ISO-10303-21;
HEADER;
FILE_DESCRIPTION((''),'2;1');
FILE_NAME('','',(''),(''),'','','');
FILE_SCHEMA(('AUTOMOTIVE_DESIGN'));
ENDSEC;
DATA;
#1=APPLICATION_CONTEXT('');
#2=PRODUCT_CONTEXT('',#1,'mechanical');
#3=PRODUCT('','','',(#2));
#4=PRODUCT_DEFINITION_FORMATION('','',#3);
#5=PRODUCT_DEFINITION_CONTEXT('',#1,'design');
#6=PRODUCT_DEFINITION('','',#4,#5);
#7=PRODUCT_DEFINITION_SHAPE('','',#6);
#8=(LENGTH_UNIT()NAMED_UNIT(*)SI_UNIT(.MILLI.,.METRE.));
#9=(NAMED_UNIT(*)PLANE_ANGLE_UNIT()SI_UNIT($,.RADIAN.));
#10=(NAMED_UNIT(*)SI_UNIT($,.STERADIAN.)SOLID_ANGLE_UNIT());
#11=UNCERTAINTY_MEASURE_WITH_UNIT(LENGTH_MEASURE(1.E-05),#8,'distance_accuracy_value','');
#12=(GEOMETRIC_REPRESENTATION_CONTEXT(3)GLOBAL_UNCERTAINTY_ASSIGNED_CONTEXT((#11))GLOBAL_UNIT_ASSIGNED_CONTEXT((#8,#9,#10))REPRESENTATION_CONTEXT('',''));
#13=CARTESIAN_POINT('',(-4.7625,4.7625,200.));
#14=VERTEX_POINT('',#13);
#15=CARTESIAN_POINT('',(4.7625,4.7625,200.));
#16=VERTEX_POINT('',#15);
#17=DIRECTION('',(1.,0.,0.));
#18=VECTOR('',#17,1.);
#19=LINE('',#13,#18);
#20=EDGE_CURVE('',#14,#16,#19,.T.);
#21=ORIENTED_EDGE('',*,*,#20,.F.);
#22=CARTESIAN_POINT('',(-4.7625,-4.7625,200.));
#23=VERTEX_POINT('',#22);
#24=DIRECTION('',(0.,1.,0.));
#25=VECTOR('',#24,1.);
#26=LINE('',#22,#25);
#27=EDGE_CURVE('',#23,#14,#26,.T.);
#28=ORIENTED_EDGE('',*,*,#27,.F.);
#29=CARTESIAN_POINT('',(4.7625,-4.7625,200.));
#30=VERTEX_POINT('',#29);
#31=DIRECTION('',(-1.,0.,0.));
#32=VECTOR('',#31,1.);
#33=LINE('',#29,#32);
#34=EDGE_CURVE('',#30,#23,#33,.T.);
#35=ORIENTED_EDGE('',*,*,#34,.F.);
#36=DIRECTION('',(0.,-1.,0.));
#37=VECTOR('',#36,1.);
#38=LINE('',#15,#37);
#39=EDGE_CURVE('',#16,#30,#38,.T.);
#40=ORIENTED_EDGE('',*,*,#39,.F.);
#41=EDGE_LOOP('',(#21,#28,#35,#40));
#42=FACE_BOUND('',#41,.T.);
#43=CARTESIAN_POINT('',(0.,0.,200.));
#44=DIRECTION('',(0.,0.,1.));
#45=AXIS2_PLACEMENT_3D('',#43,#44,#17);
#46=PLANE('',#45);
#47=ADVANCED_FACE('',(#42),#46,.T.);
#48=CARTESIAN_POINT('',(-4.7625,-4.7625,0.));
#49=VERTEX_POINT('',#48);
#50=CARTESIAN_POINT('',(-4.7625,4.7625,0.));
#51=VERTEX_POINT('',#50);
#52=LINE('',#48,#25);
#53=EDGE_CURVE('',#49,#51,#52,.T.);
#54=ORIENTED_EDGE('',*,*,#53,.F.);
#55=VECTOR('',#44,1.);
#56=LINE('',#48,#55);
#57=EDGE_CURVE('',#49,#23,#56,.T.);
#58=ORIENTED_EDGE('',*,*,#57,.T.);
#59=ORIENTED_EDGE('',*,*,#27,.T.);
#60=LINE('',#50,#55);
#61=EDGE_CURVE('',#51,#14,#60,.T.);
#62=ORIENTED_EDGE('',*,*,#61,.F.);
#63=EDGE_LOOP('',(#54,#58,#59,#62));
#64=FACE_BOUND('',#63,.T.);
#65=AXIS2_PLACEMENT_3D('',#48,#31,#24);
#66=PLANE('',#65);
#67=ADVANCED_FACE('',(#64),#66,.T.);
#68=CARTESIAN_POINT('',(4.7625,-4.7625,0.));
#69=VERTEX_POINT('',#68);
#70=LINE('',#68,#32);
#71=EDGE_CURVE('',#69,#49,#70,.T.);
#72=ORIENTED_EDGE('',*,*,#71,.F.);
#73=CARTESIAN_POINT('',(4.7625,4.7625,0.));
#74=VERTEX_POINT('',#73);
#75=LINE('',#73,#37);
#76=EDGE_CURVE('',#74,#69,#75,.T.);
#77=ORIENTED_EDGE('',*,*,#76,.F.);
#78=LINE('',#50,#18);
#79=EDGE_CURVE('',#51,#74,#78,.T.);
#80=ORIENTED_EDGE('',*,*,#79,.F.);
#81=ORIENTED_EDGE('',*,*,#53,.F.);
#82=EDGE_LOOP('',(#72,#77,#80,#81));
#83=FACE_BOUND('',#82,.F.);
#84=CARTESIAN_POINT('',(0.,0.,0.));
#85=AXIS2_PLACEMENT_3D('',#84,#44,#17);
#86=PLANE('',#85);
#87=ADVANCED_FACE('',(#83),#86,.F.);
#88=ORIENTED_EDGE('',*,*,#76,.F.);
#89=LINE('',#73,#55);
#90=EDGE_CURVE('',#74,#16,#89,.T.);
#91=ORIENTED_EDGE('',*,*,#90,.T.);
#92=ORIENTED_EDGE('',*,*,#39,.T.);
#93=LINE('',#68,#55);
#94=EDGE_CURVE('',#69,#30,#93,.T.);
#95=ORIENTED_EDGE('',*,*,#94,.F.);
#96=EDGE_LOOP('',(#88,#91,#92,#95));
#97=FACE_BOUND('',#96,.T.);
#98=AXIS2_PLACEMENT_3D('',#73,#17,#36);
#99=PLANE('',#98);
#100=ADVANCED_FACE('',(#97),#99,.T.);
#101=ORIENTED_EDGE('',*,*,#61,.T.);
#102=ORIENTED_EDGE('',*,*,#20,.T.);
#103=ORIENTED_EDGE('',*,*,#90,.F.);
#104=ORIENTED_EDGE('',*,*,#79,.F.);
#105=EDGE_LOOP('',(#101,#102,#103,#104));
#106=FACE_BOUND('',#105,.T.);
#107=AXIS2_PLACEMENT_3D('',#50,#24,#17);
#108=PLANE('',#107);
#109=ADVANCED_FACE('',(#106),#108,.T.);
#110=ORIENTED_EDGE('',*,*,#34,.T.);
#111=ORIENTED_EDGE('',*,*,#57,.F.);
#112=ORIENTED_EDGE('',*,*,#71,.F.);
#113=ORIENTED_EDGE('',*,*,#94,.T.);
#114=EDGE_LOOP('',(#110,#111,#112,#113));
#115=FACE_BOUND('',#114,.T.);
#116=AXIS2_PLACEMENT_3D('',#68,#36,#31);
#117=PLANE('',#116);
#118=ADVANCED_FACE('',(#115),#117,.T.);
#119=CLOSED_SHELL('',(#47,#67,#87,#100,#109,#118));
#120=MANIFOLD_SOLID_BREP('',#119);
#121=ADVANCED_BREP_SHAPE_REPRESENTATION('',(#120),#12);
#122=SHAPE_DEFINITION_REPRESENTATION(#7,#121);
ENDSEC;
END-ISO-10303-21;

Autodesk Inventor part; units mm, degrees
ref_plane "YZ Plane" through (0, 0, 0) normal (1, 0, 0) x (0, 1, 0)
ref_plane "XZ Plane" through (0, 0, 0) normal (0, 1, 0) x (-1, 0, 0)
ref_plane "XY Plane" through (0, 0, 0) normal (0, 0, 1) x (1, 0, 0)
sketch "Sketch1" plane through (0, 0, 0) normal (0, 0, 1) x (1, 0, 0)
  line L0 (4.7625, -4.7625) -> (-4.7625, -4.7625)
  line L1 (-4.7625, -4.7625) -> (-4.7625, 4.7625)
  line L2 (-4.7625, 4.7625) -> (4.7625, 4.7625)
  line L3 (4.7625, 4.7625) -> (4.7625, -4.7625)
  line L4 (4.7625, -4.7625) -> (-4.7625, 4.7625) construction
  line L5 (-4.7625, -4.7625) -> (4.7625, 4.7625) construction
  point P0 (0, 0)
  dimension "d0" = 9.525
extrude "Extrusion1" add sketch "Sketch1" along normal blind 200
properties part number "square shaft 1"
